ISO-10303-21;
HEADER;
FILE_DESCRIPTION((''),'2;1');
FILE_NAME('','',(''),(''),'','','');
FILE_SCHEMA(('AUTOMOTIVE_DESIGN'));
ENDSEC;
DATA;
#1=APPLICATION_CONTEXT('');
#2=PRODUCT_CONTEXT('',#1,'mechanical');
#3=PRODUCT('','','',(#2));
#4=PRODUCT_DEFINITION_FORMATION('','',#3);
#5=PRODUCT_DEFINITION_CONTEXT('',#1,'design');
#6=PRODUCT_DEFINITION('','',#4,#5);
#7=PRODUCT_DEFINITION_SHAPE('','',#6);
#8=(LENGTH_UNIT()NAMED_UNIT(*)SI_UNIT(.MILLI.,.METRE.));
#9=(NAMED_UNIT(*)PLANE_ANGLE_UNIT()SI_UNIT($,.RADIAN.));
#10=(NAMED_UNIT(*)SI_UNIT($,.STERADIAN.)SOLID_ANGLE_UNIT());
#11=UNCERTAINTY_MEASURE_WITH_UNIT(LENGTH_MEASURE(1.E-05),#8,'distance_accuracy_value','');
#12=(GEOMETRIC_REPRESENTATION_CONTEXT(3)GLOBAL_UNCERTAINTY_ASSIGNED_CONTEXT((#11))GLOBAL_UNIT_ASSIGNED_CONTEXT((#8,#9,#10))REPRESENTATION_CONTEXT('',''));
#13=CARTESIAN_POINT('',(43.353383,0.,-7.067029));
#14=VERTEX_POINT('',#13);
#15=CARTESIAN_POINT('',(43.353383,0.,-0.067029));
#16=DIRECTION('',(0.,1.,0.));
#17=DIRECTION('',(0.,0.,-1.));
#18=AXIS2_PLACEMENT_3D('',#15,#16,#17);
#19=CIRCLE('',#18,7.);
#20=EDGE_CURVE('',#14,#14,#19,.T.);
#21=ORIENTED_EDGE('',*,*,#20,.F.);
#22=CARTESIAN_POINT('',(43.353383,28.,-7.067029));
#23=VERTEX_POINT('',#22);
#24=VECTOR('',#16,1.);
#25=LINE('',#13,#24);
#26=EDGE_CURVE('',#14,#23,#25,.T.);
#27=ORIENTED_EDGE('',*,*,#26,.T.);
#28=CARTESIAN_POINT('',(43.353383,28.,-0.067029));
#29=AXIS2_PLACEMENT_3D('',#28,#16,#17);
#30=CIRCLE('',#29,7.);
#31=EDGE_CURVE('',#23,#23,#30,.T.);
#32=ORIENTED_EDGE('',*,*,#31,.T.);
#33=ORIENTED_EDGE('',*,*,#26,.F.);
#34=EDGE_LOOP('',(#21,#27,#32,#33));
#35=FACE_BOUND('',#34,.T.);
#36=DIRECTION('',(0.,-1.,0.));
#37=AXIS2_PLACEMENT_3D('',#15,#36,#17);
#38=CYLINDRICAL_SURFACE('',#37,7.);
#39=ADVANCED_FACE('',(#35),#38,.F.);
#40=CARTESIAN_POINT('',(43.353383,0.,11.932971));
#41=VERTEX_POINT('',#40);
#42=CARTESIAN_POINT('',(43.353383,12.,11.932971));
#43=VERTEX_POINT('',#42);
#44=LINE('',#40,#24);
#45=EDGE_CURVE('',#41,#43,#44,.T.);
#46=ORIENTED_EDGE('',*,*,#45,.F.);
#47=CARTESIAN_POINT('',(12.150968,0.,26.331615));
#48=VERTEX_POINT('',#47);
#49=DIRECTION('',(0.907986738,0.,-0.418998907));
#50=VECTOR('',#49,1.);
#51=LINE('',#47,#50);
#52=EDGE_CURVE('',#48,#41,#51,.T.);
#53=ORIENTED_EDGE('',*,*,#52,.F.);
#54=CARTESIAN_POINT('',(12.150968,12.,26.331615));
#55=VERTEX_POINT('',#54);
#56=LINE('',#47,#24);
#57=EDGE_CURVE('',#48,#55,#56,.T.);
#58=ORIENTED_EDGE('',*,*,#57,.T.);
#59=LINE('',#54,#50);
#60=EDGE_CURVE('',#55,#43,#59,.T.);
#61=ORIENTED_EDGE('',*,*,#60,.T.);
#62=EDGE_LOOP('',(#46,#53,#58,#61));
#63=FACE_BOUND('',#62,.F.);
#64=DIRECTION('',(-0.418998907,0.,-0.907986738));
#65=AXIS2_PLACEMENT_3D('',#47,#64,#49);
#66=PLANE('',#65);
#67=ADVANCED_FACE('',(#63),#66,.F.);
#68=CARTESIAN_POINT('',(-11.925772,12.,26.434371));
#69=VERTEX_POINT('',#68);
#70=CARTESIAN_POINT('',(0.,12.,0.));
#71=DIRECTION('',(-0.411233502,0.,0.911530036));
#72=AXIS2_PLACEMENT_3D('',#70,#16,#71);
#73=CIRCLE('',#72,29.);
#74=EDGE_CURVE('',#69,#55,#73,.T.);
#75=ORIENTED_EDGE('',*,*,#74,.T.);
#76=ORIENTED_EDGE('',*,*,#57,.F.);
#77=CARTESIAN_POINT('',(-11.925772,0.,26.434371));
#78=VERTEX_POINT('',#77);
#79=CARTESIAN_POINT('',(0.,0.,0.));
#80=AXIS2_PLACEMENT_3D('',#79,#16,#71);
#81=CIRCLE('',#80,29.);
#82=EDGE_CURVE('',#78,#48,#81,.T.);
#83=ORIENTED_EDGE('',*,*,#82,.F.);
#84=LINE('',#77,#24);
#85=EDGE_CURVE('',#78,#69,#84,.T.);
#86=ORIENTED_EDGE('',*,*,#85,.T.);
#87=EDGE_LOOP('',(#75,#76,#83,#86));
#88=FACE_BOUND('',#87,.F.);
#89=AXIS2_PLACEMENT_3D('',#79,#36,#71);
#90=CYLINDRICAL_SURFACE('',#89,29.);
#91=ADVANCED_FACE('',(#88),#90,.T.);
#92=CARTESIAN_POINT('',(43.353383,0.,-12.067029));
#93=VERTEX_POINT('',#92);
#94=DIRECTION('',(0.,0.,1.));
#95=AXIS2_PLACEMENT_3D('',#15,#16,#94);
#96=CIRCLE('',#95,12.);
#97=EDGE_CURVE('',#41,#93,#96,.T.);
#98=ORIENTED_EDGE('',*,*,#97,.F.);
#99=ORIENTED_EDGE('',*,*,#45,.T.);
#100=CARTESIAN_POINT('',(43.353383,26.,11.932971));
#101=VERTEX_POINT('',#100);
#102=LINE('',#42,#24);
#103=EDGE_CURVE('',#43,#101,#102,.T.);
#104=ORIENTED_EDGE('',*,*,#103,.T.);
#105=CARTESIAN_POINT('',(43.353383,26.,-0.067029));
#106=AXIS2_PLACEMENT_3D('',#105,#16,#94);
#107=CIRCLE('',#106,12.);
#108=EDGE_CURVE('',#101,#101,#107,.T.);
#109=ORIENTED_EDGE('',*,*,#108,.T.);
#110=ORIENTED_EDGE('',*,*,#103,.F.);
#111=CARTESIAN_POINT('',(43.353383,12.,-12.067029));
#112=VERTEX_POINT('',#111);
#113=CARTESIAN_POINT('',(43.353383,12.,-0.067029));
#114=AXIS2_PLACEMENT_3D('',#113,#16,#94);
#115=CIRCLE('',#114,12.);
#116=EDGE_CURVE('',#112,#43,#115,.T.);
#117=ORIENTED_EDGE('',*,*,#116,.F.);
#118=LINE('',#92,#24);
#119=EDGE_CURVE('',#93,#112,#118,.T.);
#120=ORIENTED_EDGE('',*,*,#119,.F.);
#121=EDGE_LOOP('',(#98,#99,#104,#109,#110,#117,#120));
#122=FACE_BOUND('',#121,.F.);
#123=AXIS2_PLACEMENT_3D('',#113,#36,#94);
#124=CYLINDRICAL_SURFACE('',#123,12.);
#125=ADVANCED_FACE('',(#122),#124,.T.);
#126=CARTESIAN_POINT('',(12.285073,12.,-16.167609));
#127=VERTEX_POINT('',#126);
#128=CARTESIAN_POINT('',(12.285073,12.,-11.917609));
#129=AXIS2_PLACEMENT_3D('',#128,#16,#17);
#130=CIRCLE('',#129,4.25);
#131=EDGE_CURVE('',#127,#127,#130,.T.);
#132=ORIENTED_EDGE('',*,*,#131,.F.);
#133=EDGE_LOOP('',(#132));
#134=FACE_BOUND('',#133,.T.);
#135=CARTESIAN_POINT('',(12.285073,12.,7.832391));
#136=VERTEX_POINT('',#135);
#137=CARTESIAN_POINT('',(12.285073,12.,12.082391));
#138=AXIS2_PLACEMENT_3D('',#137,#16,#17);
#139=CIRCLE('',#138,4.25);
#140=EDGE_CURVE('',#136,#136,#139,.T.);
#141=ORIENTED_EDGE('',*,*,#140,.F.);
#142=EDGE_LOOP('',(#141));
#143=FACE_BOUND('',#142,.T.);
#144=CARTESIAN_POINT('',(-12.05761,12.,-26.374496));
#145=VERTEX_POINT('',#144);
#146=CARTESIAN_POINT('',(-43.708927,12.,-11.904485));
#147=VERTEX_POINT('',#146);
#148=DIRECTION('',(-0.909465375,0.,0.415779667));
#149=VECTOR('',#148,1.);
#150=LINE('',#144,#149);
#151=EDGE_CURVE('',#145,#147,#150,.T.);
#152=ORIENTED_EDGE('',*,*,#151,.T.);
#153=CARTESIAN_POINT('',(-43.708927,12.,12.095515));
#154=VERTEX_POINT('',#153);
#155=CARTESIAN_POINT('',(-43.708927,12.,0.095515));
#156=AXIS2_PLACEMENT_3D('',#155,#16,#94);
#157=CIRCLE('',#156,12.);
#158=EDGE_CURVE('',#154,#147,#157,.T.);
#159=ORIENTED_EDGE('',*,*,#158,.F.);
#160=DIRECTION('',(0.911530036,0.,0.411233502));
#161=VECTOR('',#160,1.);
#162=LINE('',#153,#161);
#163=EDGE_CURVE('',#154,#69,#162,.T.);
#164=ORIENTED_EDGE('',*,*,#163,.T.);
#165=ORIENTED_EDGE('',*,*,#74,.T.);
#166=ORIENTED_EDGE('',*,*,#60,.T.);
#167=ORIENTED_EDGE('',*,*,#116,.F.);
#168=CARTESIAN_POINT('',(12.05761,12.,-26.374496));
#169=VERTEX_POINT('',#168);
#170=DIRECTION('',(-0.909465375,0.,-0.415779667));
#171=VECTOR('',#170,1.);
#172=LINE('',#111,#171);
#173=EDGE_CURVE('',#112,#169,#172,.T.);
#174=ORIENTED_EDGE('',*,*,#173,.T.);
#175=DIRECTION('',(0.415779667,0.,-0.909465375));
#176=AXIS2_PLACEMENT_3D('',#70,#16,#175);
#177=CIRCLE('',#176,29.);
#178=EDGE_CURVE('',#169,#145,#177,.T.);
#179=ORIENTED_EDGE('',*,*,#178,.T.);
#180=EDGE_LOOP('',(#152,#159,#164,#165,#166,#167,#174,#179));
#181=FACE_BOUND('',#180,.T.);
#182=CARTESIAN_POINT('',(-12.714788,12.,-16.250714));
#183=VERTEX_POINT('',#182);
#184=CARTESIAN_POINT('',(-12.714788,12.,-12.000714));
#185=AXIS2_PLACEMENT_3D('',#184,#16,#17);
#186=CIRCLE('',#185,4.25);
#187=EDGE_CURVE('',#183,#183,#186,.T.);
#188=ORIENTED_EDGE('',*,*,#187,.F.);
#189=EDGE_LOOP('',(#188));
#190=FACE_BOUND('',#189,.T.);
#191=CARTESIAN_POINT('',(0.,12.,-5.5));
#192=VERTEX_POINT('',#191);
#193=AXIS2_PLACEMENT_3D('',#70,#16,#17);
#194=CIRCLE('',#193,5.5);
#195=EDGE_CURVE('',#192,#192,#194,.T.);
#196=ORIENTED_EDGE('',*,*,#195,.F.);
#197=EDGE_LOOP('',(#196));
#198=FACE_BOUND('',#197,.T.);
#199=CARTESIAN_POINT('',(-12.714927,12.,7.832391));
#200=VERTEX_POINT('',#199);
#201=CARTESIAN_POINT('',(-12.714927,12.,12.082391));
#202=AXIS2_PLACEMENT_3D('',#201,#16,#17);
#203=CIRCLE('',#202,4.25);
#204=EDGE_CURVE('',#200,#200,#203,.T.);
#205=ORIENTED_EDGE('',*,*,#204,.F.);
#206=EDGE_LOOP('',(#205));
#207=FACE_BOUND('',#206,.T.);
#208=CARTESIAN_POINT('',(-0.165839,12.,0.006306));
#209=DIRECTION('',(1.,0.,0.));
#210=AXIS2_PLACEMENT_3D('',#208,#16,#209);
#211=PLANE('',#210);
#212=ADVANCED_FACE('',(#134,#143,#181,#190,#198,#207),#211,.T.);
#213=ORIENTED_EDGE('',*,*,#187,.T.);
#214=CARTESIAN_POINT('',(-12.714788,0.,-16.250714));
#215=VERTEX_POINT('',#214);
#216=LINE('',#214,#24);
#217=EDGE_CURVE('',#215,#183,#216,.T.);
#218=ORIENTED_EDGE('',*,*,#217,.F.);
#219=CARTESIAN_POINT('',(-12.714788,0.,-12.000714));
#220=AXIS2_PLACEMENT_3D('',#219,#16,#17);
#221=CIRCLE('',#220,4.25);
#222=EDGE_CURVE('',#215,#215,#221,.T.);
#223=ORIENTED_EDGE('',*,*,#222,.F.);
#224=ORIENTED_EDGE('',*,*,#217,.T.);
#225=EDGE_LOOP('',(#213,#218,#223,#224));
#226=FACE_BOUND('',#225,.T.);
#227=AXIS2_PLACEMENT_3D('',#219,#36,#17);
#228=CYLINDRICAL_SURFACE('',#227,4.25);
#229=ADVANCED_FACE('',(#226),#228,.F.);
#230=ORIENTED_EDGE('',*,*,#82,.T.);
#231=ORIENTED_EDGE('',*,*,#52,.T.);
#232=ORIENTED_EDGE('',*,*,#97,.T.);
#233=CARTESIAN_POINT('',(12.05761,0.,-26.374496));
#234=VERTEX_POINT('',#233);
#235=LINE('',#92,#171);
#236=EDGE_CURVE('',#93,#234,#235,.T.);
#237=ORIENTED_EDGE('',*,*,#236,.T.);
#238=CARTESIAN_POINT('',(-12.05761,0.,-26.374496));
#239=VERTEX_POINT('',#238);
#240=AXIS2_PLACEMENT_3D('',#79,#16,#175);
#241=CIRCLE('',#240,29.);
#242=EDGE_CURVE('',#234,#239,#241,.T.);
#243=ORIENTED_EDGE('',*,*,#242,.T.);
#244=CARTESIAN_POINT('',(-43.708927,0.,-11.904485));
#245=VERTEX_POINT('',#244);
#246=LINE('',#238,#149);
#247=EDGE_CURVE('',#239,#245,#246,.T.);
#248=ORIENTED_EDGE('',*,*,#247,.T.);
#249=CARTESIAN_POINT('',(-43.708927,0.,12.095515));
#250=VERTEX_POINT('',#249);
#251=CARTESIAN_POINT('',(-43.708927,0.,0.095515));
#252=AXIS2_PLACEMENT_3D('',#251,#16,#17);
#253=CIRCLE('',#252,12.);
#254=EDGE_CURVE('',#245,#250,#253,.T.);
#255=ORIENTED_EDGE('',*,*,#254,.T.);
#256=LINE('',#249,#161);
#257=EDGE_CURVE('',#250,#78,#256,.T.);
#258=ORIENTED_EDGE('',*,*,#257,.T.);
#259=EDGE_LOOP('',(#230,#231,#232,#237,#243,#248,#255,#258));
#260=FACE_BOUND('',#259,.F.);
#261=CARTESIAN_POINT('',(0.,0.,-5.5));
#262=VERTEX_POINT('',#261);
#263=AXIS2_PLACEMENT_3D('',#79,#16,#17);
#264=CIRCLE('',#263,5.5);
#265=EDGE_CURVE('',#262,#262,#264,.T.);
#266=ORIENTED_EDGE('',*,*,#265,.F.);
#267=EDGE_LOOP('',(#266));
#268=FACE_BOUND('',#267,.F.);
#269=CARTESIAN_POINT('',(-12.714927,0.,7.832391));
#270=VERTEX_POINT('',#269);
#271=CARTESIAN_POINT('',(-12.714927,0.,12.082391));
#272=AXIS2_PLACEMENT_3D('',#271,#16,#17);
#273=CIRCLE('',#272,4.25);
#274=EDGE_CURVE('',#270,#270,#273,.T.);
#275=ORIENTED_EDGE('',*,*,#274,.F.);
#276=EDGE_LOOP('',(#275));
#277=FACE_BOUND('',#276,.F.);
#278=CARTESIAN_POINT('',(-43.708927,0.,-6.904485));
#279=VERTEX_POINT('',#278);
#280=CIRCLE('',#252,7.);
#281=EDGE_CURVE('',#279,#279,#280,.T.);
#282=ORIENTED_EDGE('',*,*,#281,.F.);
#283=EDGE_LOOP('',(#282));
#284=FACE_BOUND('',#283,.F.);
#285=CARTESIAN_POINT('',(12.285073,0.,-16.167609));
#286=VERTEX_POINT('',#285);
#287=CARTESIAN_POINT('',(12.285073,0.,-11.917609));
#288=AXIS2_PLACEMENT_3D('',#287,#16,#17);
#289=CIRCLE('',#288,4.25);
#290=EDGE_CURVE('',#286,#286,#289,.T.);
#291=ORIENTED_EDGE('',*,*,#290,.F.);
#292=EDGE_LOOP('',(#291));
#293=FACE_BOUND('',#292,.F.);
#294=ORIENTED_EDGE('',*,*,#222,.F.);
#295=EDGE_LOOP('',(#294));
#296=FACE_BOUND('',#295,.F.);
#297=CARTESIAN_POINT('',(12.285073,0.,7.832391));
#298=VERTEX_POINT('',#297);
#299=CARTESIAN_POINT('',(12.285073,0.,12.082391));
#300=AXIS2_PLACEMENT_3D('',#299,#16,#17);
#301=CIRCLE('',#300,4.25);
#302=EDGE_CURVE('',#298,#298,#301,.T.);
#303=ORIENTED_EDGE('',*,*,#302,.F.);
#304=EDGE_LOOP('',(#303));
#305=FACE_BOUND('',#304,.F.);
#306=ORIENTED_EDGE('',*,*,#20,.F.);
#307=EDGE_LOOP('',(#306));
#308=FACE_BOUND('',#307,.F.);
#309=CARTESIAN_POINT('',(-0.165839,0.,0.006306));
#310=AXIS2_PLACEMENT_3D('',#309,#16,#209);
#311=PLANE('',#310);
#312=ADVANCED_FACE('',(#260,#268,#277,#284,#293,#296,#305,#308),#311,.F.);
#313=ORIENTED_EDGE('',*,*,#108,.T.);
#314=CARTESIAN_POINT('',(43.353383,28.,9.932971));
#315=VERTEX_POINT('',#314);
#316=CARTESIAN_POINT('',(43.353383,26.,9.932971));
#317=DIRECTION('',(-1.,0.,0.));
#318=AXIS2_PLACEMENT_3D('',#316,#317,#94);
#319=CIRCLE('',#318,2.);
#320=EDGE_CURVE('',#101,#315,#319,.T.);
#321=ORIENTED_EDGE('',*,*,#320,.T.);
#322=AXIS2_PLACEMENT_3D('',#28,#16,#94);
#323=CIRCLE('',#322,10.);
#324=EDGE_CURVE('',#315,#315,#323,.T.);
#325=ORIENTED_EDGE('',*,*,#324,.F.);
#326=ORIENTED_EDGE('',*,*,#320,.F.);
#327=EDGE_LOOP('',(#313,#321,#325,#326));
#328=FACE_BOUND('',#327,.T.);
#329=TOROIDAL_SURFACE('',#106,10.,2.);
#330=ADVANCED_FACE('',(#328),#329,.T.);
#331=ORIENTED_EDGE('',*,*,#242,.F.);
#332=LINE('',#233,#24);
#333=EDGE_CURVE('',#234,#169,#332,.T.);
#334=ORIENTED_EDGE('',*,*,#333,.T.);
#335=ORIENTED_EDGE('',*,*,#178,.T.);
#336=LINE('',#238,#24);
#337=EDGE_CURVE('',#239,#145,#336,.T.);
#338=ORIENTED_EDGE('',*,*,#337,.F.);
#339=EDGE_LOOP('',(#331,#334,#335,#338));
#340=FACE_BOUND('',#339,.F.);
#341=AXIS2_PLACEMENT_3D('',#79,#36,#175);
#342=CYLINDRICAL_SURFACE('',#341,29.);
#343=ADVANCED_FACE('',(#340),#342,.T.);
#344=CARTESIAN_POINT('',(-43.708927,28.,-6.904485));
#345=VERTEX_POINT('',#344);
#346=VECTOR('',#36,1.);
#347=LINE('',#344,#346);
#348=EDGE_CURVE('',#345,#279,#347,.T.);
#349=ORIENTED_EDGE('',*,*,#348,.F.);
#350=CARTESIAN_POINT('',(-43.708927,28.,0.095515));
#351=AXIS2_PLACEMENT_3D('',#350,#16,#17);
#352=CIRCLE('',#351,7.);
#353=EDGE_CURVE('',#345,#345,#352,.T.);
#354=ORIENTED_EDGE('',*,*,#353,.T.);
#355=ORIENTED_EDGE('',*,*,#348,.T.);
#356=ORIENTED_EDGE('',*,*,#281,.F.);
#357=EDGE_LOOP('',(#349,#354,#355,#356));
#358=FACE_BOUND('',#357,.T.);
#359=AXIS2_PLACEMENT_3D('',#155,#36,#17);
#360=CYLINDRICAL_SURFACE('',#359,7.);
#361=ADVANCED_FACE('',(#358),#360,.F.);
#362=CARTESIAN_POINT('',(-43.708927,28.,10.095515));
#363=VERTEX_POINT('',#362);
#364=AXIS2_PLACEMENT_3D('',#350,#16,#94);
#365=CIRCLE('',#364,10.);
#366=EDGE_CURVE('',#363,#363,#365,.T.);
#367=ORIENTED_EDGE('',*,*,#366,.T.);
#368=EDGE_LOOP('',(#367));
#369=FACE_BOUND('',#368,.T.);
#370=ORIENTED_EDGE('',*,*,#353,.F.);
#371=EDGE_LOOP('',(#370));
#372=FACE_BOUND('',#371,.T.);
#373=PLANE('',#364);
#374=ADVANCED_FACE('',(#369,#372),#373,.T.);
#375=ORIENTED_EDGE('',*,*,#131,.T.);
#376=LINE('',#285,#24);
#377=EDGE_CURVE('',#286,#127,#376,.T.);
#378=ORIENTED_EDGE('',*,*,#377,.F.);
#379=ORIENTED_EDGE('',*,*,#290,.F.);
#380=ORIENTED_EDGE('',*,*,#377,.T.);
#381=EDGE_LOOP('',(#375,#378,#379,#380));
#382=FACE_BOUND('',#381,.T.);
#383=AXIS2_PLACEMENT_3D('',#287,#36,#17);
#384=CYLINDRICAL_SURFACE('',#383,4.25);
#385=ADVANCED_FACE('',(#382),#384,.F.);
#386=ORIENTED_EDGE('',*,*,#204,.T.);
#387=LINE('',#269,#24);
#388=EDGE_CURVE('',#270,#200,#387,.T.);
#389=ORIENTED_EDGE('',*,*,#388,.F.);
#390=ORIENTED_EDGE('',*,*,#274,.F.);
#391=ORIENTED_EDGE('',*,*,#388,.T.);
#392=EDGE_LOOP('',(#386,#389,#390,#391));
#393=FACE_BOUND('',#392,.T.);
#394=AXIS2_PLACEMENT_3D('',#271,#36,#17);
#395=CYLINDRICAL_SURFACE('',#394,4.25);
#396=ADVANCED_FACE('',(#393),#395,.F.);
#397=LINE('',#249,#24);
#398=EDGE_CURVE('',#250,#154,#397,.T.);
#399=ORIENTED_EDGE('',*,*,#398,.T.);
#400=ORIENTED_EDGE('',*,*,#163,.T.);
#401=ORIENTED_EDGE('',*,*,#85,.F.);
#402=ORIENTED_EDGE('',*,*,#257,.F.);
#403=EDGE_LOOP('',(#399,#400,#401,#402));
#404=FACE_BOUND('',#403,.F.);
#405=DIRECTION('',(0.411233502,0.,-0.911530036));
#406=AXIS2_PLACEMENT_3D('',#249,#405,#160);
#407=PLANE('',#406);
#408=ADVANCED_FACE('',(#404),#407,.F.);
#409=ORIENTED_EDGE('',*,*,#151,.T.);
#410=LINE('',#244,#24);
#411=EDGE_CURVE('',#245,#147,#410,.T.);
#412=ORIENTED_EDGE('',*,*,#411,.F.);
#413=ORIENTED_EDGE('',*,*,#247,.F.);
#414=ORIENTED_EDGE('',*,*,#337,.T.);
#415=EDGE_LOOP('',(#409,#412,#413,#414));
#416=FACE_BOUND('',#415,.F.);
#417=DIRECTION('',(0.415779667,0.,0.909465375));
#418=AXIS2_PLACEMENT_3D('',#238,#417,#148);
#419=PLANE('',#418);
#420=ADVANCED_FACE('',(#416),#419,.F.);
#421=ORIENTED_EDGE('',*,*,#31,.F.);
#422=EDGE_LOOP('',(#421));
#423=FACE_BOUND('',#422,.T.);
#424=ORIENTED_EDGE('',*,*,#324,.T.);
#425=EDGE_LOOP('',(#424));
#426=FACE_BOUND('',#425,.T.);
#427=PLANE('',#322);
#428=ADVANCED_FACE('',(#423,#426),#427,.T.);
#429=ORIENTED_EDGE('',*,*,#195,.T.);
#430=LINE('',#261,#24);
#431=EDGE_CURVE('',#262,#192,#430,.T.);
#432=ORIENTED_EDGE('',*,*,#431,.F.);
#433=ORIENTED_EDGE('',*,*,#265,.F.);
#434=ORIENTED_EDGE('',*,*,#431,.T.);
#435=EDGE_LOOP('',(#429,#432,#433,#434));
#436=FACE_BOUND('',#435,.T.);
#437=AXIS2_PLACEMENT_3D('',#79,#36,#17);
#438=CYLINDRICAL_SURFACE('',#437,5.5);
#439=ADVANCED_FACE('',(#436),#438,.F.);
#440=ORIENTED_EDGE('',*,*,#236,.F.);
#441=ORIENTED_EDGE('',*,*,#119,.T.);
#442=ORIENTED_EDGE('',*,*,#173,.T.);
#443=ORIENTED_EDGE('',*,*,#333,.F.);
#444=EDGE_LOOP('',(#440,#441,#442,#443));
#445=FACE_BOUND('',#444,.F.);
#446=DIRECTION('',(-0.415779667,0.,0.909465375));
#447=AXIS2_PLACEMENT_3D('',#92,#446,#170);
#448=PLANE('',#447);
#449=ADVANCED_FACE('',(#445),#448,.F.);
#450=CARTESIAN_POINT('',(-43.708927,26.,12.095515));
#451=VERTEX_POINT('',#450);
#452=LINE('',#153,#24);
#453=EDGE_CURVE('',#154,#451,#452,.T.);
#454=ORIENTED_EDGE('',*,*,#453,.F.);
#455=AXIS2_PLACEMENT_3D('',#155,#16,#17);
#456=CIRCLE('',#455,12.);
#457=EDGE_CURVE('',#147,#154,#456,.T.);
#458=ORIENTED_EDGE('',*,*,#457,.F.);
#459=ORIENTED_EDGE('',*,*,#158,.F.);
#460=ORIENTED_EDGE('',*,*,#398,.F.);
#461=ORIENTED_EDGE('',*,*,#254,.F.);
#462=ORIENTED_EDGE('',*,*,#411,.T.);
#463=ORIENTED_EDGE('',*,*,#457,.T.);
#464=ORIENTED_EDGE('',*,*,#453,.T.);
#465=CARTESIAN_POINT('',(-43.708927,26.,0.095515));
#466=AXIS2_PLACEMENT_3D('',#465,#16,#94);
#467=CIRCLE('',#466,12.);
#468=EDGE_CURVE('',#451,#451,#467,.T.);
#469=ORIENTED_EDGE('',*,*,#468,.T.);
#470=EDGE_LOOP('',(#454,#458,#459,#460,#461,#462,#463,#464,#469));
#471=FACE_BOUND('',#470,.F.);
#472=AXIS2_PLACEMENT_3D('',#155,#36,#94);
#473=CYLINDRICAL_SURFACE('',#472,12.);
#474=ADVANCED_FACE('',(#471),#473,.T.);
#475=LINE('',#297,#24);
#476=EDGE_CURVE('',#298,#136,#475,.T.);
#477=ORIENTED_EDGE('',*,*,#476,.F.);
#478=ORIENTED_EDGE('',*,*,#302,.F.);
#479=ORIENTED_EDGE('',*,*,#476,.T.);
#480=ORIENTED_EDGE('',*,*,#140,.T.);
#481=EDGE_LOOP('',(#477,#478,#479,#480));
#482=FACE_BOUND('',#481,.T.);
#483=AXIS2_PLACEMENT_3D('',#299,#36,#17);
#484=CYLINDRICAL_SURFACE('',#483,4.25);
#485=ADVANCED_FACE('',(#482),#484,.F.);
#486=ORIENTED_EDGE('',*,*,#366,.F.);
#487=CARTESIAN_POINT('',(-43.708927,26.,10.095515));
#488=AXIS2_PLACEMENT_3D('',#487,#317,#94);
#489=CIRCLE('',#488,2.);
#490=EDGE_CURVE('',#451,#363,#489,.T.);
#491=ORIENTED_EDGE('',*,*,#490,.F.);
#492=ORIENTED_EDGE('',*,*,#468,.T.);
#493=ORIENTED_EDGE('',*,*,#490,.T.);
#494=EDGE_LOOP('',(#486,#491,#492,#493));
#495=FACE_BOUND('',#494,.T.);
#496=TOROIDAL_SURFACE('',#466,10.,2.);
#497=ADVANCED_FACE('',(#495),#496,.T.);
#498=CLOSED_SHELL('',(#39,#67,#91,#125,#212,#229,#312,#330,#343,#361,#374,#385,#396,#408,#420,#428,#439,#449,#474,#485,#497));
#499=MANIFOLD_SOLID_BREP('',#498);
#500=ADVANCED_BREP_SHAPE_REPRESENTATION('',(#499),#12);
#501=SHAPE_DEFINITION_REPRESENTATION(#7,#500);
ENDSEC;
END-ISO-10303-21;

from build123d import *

# Parameters (mm, degrees)
ESBO_O2_R                = 4.25
ESBO_O2_R_2              = 5.5
ESBO_O2_R_3              = 7
RESSALTO_EXTRUS_O2_DEPTH = 12
ESBO_O3_R                = 12
ESBO_O3_R_2              = 7
RESSALTO_EXTRUS_O3_DEPTH = 16
FILETE1_R                = 2


with BuildPart() as part:
    # Esboço2 → Ressalto-extrusão2 (new body)
    with BuildSketch(Plane(origin=(0, 0, 0), x_dir=(1, 0, 0), z_dir=(0, 1, 0))):
        with BuildLine():
            Line((-12.057610331, 26.374495883), (-43.708926586, 11.904485175))
            ThreePointArc((-43.708926586, 11.904485175), (-55.708926586, -0.095514825), (-43.708926586, -12.095514825))
            Line((-43.708926586, -12.095514825), (-11.925771547, -26.434371054))
            ThreePointArc((-11.925771547, -26.434371054), (0.12376622, -28.999735894), (12.150968312, -26.331615391))
            Line((12.150968312, -26.331615391), (43.35338336, -11.93297137))
            ThreePointArc((43.35338336, -11.93297137), (55.35338336, 0.06702863), (43.35338336, 12.06702863))
            Line((43.35338336, 12.06702863), (12.057610331, 26.374495883))
            ThreePointArc((12.057610331, 26.374495883), (0, 29), (-12.057610331, 26.374495883))
        make_face()
        with Locations(Location((-12.714926554, -12.082390656, 0), (0, 0, 90))):
            Circle(ESBO_O2_R, mode=Mode.SUBTRACT)
        with Locations(Location((12.285073446, -12.082390656, 0), (0, 0, 90))):
            Circle(ESBO_O2_R, mode=Mode.SUBTRACT)
        with Locations(Location((0, 0, 0), (0, 0, 90))):
            Circle(ESBO_O2_R_2, mode=Mode.SUBTRACT)
        with Locations(Location((-12.714788426, 12.000714001, 0), (0, 0, 90))):
            Circle(ESBO_O2_R, mode=Mode.SUBTRACT)
        with Locations(Location((12.285073446, 11.917609344, 0), (0, 0, 90))):
            Circle(ESBO_O2_R, mode=Mode.SUBTRACT)
        with Locations(Location((-43.708926586, -0.095514825, 0), (0, 0, 90))):
            Circle(ESBO_O2_R_3, mode=Mode.SUBTRACT)
        with Locations(Location((43.35338336, 0.06702863, 0), (0, 0, 90))):
            Circle(ESBO_O2_R_3, mode=Mode.SUBTRACT)
    extrude(amount=RESSALTO_EXTRUS_O2_DEPTH)

    # Esboço3 → Ressalto-extrusão3 (add)
    # profile 1 of 2: a face of its own
    with BuildSketch(Plane(origin=(0, 12, 0), x_dir=(1, 0, 0), z_dir=(0, 1, 0))):
        with Locations(Location((-43.708926586, -0.095514825, 0), (0, 0, 270))):
            Circle(ESBO_O3_R)
        with Locations(Location((-43.708926586, -0.095514825, 0), (0, 0, 90))):
            Circle(ESBO_O3_R_2, mode=Mode.SUBTRACT)
    # profile 2 of 2: a face of its own
    with BuildSketch(Plane(origin=(0, 12, 0), x_dir=(1, 0, 0), z_dir=(0, 1, 0))):
        with Locations(Location((43.35338336, 0.06702863, 0), (0, 0, 270))):
            Circle(ESBO_O3_R)
        with Locations(Location((43.35338336, 0.06702863, 0), (0, 0, 90))):
            Circle(ESBO_O3_R_2, mode=Mode.SUBTRACT)
    extrude(amount=RESSALTO_EXTRUS_O3_DEPTH)

    # Filete1
    filete1_edges = [part.edges().sort_by_distance(p)[0] for p in [
        (-43.708926586, 28, -11.904485175),
        (43.35338336, 28, -12.06702863),
    ]]
    fillet(filete1_edges, radius=FILETE1_R)


solid = part.part
